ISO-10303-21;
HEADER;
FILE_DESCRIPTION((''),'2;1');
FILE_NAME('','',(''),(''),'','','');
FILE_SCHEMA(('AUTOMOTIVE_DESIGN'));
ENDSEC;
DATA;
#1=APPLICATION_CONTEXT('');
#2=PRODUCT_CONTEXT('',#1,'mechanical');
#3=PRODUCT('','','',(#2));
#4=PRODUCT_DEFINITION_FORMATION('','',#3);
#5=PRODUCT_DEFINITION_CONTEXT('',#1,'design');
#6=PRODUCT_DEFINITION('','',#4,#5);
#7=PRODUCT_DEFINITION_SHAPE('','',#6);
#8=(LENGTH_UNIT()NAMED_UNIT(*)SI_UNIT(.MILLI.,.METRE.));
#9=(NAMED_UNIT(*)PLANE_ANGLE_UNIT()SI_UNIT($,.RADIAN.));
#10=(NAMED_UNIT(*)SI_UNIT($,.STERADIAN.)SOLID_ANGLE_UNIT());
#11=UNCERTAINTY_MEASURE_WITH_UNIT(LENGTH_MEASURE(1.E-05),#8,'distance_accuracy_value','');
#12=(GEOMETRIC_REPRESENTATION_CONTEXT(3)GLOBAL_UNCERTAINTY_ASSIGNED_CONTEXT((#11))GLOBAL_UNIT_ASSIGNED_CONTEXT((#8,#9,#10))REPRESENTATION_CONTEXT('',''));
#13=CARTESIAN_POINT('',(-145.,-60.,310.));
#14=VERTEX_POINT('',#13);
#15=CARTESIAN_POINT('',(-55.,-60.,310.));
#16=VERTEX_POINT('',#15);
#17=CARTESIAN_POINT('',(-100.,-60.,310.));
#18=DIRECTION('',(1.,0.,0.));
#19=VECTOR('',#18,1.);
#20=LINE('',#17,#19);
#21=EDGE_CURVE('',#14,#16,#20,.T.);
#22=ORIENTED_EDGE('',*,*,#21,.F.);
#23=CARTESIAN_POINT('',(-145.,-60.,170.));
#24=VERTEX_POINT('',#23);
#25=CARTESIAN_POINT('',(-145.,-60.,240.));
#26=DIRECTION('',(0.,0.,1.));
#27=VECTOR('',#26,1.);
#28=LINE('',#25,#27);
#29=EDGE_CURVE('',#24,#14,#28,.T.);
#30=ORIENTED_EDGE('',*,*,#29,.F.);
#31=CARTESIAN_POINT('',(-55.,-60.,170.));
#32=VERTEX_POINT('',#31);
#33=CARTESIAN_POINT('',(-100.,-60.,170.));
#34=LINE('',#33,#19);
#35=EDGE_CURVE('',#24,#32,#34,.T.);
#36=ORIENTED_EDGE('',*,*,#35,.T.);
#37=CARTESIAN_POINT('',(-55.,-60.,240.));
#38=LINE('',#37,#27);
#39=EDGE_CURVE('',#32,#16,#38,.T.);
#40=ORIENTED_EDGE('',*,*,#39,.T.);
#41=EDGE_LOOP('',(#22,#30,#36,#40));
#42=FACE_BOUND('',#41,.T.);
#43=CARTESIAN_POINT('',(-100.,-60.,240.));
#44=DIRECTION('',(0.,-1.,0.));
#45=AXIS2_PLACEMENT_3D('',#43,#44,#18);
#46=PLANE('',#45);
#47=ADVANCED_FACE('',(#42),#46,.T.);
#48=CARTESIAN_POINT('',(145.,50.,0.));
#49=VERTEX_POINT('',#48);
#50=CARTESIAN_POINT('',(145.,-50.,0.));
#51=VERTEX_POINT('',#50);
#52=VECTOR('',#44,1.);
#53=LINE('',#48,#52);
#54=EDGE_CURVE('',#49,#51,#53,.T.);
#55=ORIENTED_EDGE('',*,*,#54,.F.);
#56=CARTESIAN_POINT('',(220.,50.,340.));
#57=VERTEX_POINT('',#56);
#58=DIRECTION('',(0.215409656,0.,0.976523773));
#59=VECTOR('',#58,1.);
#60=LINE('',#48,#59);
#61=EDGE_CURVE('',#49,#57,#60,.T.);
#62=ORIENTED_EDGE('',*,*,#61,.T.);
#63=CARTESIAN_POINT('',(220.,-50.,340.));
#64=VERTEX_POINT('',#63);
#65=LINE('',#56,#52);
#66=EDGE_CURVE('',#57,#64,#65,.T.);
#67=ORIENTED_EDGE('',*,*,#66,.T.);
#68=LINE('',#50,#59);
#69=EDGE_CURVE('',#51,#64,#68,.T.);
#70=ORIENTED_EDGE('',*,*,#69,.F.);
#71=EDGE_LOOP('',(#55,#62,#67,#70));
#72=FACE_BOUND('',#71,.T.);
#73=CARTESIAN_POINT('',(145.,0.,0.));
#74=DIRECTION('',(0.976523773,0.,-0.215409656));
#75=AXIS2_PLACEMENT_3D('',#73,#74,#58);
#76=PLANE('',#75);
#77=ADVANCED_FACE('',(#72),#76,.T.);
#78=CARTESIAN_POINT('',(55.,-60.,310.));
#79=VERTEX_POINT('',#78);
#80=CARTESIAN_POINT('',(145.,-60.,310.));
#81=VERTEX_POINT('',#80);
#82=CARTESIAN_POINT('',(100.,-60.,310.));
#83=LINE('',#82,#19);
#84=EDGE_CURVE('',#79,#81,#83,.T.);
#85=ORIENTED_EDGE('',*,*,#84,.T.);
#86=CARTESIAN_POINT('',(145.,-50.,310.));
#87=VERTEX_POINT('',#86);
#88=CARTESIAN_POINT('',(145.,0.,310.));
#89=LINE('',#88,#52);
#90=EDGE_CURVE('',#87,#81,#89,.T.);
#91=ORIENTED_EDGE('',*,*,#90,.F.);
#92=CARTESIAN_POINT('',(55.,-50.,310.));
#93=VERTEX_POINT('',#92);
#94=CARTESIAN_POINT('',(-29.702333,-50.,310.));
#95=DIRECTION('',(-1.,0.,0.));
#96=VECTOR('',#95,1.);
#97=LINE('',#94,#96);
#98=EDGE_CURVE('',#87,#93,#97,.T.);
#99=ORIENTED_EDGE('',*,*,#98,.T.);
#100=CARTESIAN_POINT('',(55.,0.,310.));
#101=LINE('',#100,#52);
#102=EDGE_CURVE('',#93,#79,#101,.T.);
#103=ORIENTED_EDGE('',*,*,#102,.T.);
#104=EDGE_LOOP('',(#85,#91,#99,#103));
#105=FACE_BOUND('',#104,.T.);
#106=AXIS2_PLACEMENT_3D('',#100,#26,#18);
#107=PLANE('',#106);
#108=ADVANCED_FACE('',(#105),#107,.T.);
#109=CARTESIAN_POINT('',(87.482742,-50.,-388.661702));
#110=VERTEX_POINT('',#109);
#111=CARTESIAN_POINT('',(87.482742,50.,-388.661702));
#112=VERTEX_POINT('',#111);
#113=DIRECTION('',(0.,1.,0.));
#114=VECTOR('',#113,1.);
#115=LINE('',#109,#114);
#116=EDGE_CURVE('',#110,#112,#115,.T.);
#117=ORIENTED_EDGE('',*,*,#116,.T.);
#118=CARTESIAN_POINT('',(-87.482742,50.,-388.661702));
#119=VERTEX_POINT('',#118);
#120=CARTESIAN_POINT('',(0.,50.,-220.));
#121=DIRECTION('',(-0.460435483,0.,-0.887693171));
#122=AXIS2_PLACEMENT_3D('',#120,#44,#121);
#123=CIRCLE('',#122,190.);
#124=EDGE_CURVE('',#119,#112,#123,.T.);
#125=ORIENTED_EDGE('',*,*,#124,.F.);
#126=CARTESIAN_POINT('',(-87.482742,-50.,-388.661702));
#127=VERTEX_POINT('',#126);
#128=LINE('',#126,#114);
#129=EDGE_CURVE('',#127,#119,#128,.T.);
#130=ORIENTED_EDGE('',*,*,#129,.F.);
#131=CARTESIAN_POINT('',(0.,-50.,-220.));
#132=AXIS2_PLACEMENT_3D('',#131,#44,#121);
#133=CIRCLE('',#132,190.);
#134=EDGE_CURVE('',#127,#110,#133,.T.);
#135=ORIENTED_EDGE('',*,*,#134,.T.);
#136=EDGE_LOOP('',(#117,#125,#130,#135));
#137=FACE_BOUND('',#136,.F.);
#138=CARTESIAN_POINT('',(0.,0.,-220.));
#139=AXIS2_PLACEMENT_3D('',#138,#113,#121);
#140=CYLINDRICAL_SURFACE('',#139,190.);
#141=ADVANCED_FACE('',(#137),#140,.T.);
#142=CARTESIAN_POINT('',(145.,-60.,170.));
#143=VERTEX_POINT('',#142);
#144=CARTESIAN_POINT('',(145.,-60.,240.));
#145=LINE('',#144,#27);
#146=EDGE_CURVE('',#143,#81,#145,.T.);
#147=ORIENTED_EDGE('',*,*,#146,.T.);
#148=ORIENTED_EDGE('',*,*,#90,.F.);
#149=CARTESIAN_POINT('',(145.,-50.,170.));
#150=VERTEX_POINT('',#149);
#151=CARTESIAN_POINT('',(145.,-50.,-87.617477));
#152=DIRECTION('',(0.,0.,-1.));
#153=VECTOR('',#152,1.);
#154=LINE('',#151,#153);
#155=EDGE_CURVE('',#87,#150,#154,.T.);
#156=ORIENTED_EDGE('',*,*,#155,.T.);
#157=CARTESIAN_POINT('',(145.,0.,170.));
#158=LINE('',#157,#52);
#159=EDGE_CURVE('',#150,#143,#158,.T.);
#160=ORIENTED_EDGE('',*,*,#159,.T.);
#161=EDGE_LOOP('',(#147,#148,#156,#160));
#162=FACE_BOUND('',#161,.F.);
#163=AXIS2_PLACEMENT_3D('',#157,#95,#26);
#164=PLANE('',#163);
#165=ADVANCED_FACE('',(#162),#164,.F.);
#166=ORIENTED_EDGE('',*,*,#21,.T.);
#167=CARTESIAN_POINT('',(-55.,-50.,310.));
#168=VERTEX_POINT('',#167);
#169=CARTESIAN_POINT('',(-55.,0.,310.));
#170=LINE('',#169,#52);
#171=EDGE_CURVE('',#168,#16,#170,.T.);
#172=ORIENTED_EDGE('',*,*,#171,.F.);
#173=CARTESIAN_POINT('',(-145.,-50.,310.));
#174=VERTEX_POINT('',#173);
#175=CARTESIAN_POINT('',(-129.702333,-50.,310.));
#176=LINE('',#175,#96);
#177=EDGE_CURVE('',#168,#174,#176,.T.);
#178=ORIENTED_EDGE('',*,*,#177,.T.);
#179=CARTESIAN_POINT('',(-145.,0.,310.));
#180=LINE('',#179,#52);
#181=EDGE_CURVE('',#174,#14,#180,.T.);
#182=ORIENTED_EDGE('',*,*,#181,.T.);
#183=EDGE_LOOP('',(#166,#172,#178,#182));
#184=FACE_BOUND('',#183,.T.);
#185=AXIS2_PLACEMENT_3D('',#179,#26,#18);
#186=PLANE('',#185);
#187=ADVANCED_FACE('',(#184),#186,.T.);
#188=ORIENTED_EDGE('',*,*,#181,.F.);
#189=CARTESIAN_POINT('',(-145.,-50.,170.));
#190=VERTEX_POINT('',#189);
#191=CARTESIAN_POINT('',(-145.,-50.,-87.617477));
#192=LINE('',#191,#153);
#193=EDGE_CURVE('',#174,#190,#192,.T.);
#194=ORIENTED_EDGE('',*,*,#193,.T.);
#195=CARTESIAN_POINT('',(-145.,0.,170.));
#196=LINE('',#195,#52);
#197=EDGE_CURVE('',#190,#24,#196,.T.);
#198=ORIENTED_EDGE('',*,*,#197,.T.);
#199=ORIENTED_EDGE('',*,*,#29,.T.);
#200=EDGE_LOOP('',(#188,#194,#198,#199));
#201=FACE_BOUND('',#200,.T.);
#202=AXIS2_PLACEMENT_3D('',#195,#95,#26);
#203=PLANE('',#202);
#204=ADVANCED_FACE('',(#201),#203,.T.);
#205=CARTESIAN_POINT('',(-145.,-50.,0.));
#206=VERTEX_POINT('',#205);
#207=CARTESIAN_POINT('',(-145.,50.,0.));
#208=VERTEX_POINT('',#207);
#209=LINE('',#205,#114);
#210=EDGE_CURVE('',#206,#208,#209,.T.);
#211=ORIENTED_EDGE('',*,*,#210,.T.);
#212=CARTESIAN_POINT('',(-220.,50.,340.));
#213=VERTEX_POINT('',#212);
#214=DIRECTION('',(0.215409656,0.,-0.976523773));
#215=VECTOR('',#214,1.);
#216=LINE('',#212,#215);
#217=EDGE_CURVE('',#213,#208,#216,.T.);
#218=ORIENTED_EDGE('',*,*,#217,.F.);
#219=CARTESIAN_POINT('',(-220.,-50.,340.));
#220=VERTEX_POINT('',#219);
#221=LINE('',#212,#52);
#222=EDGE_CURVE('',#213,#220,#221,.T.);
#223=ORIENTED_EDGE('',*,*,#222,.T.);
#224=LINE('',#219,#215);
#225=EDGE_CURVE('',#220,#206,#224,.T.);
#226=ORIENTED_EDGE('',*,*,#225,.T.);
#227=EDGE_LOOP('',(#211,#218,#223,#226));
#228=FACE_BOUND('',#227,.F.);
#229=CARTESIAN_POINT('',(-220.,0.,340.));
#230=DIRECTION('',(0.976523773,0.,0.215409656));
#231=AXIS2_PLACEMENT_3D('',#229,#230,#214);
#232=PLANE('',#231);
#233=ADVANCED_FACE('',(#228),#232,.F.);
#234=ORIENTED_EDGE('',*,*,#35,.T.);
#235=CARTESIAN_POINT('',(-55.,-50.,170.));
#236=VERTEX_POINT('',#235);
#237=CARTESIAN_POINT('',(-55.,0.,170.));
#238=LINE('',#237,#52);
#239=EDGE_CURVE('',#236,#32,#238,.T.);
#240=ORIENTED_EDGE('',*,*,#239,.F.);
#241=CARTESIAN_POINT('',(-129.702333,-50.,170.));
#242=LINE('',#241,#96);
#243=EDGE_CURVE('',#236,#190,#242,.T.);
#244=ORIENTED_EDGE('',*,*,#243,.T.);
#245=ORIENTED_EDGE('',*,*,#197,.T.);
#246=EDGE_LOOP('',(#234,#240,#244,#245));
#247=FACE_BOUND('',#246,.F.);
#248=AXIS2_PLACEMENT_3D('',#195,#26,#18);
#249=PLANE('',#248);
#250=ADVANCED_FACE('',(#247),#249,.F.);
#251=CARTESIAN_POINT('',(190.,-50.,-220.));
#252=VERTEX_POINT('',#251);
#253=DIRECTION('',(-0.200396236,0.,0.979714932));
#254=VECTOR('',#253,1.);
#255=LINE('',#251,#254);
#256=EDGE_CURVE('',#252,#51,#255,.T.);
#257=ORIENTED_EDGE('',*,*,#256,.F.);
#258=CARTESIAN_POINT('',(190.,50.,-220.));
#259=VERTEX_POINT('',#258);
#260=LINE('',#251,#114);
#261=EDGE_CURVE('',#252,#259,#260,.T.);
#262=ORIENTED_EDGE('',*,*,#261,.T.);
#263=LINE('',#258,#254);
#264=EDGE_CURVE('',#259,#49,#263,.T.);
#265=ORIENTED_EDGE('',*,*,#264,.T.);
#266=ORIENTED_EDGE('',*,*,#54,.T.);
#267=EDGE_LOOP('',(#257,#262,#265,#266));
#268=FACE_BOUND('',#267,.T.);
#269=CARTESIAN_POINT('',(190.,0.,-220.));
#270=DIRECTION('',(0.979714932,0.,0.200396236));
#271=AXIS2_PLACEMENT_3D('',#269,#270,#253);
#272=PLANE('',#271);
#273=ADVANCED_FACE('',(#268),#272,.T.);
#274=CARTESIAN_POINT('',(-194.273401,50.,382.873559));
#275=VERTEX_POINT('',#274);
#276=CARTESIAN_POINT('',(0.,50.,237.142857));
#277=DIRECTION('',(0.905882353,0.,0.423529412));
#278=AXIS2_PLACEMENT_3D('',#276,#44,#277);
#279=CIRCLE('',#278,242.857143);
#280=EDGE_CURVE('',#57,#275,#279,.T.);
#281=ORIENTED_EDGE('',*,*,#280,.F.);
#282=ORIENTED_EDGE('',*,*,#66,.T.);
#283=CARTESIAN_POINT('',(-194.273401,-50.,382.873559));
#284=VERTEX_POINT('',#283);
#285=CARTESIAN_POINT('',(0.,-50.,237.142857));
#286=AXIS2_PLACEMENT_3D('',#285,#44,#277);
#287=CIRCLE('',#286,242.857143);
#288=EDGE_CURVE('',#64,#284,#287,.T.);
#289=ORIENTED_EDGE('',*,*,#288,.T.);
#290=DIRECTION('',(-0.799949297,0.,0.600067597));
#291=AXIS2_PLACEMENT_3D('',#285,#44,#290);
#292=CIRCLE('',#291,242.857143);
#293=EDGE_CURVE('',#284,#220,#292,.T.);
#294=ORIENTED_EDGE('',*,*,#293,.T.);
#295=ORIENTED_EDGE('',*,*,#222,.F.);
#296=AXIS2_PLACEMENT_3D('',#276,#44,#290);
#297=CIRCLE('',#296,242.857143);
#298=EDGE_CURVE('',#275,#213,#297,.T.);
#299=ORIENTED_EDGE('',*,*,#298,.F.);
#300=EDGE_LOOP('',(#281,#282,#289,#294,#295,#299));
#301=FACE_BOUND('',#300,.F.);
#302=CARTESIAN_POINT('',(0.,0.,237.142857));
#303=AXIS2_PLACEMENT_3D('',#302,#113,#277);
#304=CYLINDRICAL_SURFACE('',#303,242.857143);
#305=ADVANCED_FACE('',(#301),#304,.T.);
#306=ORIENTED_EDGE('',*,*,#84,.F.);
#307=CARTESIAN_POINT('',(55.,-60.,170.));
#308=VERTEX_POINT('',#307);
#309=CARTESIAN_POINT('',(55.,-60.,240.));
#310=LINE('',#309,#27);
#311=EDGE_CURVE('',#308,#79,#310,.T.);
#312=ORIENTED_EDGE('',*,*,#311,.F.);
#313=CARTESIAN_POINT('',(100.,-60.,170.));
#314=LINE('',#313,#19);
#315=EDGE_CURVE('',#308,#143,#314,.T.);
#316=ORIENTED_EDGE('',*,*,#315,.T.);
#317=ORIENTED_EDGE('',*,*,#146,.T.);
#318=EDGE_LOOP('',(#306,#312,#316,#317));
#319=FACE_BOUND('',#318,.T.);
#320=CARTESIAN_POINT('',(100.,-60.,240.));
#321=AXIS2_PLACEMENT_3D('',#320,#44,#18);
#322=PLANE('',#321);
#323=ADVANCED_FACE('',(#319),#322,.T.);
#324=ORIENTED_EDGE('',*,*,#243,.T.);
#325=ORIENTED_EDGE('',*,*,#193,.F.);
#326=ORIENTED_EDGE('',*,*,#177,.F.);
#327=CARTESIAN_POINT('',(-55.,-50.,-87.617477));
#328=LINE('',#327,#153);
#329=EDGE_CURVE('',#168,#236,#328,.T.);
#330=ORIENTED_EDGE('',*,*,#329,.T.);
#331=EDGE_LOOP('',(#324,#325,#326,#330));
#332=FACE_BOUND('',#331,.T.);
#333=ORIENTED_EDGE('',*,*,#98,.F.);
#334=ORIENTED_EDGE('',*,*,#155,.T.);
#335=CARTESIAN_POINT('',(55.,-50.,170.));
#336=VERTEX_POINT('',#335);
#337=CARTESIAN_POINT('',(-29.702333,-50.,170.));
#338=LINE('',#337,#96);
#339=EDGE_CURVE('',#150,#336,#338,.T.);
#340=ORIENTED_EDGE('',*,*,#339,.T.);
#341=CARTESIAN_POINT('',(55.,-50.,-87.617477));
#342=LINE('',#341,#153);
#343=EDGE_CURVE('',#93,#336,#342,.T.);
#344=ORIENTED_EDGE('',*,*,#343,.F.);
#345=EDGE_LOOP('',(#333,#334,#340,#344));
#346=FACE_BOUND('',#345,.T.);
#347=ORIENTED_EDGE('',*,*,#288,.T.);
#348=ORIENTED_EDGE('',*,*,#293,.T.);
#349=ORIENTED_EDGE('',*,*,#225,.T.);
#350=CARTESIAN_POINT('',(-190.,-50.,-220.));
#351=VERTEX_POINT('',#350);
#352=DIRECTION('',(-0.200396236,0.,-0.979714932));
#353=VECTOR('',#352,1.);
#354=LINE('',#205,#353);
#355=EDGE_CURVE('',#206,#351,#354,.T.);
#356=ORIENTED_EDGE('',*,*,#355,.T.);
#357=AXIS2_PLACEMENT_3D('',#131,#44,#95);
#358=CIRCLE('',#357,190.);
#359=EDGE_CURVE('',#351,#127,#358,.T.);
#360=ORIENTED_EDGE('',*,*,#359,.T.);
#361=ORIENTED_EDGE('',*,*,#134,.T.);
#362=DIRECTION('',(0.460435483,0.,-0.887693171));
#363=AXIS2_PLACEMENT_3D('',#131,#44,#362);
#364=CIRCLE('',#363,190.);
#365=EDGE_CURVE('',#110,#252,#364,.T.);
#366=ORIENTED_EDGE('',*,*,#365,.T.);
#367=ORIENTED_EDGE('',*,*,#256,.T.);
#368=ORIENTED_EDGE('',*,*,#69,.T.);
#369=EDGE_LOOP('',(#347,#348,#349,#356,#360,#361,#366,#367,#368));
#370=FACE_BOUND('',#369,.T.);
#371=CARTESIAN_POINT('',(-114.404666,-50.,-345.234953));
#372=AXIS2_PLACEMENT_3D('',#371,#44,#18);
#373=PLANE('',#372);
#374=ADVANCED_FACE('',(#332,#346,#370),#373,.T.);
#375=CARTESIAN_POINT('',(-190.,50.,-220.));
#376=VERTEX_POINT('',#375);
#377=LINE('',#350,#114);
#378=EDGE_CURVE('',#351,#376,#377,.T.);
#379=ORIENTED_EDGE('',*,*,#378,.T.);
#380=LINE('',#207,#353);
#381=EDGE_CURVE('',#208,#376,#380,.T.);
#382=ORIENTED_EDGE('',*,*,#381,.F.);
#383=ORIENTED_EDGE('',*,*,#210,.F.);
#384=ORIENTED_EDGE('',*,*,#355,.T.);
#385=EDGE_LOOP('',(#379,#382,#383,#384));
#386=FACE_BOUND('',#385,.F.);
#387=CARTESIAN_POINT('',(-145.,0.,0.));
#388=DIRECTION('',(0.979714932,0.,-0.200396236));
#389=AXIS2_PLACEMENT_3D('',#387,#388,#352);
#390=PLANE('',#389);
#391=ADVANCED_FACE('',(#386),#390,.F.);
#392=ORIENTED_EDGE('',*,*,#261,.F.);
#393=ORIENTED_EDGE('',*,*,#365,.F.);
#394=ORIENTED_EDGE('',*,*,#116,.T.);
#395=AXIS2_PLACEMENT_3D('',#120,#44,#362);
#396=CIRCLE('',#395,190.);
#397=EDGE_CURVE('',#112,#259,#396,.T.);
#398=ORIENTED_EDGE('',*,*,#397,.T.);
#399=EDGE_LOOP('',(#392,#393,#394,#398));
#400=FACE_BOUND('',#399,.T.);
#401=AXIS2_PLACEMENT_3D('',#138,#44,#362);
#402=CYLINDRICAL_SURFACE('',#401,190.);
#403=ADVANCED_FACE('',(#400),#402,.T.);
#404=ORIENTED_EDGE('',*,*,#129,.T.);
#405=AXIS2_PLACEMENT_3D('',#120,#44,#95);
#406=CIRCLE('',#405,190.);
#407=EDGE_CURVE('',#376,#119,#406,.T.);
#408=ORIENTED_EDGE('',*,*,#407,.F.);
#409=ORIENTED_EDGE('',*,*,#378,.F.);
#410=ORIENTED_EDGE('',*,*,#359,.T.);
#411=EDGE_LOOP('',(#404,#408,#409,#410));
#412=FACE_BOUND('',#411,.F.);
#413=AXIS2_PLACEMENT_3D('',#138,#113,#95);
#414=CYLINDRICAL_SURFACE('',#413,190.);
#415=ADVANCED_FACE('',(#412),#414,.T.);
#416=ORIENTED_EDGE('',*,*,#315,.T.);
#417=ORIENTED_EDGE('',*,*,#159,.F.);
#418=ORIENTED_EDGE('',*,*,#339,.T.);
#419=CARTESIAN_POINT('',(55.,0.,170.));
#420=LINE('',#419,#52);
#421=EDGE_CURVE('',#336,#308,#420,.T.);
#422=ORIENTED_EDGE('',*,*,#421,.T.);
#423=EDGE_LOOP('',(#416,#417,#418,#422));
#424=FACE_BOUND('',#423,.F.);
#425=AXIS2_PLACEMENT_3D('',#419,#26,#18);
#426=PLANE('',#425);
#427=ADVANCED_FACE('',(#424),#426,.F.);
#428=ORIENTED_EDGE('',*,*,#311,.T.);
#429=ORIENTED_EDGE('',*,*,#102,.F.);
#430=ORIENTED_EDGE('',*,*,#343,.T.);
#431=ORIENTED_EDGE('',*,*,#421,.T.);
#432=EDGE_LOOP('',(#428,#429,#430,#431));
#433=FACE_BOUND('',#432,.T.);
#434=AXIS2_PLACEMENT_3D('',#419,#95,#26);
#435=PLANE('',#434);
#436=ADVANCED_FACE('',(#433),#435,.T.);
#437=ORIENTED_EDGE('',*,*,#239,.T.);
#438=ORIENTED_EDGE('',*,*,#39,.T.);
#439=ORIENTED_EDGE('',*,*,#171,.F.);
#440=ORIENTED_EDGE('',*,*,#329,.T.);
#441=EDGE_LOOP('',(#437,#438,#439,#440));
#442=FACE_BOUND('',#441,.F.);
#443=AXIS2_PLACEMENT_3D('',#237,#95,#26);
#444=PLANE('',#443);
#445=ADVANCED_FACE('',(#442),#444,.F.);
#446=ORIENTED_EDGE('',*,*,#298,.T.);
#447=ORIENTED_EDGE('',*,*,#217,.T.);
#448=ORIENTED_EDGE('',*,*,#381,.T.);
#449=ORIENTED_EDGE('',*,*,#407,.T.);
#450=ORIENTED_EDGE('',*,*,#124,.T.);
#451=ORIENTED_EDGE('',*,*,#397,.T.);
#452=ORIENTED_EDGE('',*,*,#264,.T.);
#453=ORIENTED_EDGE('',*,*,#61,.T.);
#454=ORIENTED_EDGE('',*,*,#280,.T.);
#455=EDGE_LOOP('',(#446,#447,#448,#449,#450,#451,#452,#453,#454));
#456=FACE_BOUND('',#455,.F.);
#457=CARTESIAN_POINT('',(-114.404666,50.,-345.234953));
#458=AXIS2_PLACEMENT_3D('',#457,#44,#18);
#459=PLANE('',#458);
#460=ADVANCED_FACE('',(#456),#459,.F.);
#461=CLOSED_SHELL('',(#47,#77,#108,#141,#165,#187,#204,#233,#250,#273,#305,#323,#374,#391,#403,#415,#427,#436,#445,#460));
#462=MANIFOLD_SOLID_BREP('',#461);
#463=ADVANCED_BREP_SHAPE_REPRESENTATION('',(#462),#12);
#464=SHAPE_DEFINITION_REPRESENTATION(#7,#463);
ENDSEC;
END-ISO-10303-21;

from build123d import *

# Parameters (mm, degrees)
F0_W     = 90
F0_H     = 140
F1_DEPTH = 50
F2_DEPTH = 60


with BuildPart() as f1:
    # F0 (on Front) → F1 (new body, symmetric)
    with BuildSketch(Plane.XZ):
        with BuildLine():
            ThreePointArc((-78.4523257867, -360), (-107.282768365, -314.702650866), (-160.5263193295, -321.6430066583))
            ThreePointArc((-160.5263193295, -321.6430066583), (-128.4523257867, -360), (-87.4827418154, -388.661702483))
            ThreePointArc((-87.4827418154, -388.661702483), (-80.7633375474, -375.0253253116), (-78.4523257867, -360))
        make_face()
        with BuildLine():
            ThreePointArc((87.4827418154, -388.661702483), (128.4523257867, -360), (160.5263193295, -321.6430066583))
            ThreePointArc((160.5263193295, -321.6430066583), (94.6490821586, -323.1578947368), (87.4827418154, -388.661702483))
        make_face()
        with BuildLine():
            Line((145, 0), (220, 340))
            ThreePointArc((220, 340), (25, 478.7098081869), (-194.2734008086, 382.8735593816))
            ThreePointArc((-194.2734008086, 382.8735593816), (-176.489484262, 364.6340216005), (-170, 340))
            ThreePointArc((-170, 340), (-181.0222875237, 308.6832643765), (-209.2295172044, 291.1738113268))
            Line((-209.2295172044, 291.1738113268), (-145, 0))
            Line((-145, 0), (-190, -220))
            ThreePointArc((-190, -220), (-182.4828768304, -272.9150230436), (-160.5263193295, -321.6430066583))
            ThreePointArc((-160.5263193295, -321.6430066583), (-107.282768365, -314.702650866), (-78.4523257867, -360))
            ThreePointArc((-78.4523257867, -360), (-80.7633375474, -375.0253253116), (-87.4827418154, -388.661702483))
            ThreePointArc((-87.4827418154, -388.661702483), (0, -410), (87.4827418154, -388.661702483))
            ThreePointArc((87.4827418154, -388.661702483), (94.6490821586, -323.1578947368), (160.5263193295, -321.6430066583))
            ThreePointArc((160.5263193295, -321.6430066583), (182.4828768304, -272.9150230436), (190, -220))
            Line((190, -220), (145, 0))
        make_face()
        with Locations((-100, 240)):
            Rectangle(F0_W, F0_H, mode=Mode.SUBTRACT)
        with Locations((100, 240)):
            Rectangle(F0_W, F0_H, mode=Mode.SUBTRACT)
        with BuildLine():
            ThreePointArc((-170, 340), (-176.489484262, 364.6340216005), (-194.2734008086, 382.8735593816))
            ThreePointArc((-194.2734008086, 382.8735593816), (-208.2430027105, 362.1006246439), (-220, 340))
            Line((-220, 340), (-209.2295172044, 291.1738113268))
            ThreePointArc((-209.2295172044, 291.1738113268), (-181.0222875237, 308.6832643765), (-170, 340))
        make_face()
        with BuildLine():
            Line((145, 0), (220, 340))
            ThreePointArc((220, 340), (25, 478.7098081869), (-194.2734008086, 382.8735593816))
            ThreePointArc((-194.2734008086, 382.8735593816), (-176.489484262, 364.6340216005), (-170, 340))
            ThreePointArc((-170, 340), (-181.0222875237, 308.6832643765), (-209.2295172044, 291.1738113268))
            Line((-209.2295172044, 291.1738113268), (-145, 0))
            Line((-145, 0), (-190, -220))
            ThreePointArc((-190, -220), (-182.4828768304, -272.9150230436), (-160.5263193295, -321.6430066583))
            ThreePointArc((-160.5263193295, -321.6430066583), (-107.282768365, -314.702650866), (-78.4523257867, -360))
            ThreePointArc((-78.4523257867, -360), (-80.7633375474, -375.0253253116), (-87.4827418154, -388.661702483))
            ThreePointArc((-87.4827418154, -388.661702483), (0, -410), (87.4827418154, -388.661702483))
            ThreePointArc((87.4827418154, -388.661702483), (94.6490821586, -323.1578947368), (160.5263193295, -321.6430066583))
            ThreePointArc((160.5263193295, -321.6430066583), (182.4828768304, -272.9150230436), (190, -220))
            Line((190, -220), (145, 0))
        make_face()
        with Locations((-100, 240)):
            Rectangle(F0_W, F0_H, mode=Mode.SUBTRACT)
        with Locations((100, 240)):
            Rectangle(F0_W, F0_H, mode=Mode.SUBTRACT)
        with Locations((-100, 240)):
            Rectangle(F0_W, F0_H)
        with Locations((100, 240)):
            Rectangle(F0_W, F0_H)
    extrude(amount=F1_DEPTH, both=True)

    # F0 (on Front) → F2 (join)
    with BuildSketch(Plane.XZ):
        with Locations((-100, 240)):
            Rectangle(F0_W, F0_H)
        with Locations((100, 240)):
            Rectangle(F0_W, F0_H)
    extrude(amount=F2_DEPTH)


solid = f1.part
